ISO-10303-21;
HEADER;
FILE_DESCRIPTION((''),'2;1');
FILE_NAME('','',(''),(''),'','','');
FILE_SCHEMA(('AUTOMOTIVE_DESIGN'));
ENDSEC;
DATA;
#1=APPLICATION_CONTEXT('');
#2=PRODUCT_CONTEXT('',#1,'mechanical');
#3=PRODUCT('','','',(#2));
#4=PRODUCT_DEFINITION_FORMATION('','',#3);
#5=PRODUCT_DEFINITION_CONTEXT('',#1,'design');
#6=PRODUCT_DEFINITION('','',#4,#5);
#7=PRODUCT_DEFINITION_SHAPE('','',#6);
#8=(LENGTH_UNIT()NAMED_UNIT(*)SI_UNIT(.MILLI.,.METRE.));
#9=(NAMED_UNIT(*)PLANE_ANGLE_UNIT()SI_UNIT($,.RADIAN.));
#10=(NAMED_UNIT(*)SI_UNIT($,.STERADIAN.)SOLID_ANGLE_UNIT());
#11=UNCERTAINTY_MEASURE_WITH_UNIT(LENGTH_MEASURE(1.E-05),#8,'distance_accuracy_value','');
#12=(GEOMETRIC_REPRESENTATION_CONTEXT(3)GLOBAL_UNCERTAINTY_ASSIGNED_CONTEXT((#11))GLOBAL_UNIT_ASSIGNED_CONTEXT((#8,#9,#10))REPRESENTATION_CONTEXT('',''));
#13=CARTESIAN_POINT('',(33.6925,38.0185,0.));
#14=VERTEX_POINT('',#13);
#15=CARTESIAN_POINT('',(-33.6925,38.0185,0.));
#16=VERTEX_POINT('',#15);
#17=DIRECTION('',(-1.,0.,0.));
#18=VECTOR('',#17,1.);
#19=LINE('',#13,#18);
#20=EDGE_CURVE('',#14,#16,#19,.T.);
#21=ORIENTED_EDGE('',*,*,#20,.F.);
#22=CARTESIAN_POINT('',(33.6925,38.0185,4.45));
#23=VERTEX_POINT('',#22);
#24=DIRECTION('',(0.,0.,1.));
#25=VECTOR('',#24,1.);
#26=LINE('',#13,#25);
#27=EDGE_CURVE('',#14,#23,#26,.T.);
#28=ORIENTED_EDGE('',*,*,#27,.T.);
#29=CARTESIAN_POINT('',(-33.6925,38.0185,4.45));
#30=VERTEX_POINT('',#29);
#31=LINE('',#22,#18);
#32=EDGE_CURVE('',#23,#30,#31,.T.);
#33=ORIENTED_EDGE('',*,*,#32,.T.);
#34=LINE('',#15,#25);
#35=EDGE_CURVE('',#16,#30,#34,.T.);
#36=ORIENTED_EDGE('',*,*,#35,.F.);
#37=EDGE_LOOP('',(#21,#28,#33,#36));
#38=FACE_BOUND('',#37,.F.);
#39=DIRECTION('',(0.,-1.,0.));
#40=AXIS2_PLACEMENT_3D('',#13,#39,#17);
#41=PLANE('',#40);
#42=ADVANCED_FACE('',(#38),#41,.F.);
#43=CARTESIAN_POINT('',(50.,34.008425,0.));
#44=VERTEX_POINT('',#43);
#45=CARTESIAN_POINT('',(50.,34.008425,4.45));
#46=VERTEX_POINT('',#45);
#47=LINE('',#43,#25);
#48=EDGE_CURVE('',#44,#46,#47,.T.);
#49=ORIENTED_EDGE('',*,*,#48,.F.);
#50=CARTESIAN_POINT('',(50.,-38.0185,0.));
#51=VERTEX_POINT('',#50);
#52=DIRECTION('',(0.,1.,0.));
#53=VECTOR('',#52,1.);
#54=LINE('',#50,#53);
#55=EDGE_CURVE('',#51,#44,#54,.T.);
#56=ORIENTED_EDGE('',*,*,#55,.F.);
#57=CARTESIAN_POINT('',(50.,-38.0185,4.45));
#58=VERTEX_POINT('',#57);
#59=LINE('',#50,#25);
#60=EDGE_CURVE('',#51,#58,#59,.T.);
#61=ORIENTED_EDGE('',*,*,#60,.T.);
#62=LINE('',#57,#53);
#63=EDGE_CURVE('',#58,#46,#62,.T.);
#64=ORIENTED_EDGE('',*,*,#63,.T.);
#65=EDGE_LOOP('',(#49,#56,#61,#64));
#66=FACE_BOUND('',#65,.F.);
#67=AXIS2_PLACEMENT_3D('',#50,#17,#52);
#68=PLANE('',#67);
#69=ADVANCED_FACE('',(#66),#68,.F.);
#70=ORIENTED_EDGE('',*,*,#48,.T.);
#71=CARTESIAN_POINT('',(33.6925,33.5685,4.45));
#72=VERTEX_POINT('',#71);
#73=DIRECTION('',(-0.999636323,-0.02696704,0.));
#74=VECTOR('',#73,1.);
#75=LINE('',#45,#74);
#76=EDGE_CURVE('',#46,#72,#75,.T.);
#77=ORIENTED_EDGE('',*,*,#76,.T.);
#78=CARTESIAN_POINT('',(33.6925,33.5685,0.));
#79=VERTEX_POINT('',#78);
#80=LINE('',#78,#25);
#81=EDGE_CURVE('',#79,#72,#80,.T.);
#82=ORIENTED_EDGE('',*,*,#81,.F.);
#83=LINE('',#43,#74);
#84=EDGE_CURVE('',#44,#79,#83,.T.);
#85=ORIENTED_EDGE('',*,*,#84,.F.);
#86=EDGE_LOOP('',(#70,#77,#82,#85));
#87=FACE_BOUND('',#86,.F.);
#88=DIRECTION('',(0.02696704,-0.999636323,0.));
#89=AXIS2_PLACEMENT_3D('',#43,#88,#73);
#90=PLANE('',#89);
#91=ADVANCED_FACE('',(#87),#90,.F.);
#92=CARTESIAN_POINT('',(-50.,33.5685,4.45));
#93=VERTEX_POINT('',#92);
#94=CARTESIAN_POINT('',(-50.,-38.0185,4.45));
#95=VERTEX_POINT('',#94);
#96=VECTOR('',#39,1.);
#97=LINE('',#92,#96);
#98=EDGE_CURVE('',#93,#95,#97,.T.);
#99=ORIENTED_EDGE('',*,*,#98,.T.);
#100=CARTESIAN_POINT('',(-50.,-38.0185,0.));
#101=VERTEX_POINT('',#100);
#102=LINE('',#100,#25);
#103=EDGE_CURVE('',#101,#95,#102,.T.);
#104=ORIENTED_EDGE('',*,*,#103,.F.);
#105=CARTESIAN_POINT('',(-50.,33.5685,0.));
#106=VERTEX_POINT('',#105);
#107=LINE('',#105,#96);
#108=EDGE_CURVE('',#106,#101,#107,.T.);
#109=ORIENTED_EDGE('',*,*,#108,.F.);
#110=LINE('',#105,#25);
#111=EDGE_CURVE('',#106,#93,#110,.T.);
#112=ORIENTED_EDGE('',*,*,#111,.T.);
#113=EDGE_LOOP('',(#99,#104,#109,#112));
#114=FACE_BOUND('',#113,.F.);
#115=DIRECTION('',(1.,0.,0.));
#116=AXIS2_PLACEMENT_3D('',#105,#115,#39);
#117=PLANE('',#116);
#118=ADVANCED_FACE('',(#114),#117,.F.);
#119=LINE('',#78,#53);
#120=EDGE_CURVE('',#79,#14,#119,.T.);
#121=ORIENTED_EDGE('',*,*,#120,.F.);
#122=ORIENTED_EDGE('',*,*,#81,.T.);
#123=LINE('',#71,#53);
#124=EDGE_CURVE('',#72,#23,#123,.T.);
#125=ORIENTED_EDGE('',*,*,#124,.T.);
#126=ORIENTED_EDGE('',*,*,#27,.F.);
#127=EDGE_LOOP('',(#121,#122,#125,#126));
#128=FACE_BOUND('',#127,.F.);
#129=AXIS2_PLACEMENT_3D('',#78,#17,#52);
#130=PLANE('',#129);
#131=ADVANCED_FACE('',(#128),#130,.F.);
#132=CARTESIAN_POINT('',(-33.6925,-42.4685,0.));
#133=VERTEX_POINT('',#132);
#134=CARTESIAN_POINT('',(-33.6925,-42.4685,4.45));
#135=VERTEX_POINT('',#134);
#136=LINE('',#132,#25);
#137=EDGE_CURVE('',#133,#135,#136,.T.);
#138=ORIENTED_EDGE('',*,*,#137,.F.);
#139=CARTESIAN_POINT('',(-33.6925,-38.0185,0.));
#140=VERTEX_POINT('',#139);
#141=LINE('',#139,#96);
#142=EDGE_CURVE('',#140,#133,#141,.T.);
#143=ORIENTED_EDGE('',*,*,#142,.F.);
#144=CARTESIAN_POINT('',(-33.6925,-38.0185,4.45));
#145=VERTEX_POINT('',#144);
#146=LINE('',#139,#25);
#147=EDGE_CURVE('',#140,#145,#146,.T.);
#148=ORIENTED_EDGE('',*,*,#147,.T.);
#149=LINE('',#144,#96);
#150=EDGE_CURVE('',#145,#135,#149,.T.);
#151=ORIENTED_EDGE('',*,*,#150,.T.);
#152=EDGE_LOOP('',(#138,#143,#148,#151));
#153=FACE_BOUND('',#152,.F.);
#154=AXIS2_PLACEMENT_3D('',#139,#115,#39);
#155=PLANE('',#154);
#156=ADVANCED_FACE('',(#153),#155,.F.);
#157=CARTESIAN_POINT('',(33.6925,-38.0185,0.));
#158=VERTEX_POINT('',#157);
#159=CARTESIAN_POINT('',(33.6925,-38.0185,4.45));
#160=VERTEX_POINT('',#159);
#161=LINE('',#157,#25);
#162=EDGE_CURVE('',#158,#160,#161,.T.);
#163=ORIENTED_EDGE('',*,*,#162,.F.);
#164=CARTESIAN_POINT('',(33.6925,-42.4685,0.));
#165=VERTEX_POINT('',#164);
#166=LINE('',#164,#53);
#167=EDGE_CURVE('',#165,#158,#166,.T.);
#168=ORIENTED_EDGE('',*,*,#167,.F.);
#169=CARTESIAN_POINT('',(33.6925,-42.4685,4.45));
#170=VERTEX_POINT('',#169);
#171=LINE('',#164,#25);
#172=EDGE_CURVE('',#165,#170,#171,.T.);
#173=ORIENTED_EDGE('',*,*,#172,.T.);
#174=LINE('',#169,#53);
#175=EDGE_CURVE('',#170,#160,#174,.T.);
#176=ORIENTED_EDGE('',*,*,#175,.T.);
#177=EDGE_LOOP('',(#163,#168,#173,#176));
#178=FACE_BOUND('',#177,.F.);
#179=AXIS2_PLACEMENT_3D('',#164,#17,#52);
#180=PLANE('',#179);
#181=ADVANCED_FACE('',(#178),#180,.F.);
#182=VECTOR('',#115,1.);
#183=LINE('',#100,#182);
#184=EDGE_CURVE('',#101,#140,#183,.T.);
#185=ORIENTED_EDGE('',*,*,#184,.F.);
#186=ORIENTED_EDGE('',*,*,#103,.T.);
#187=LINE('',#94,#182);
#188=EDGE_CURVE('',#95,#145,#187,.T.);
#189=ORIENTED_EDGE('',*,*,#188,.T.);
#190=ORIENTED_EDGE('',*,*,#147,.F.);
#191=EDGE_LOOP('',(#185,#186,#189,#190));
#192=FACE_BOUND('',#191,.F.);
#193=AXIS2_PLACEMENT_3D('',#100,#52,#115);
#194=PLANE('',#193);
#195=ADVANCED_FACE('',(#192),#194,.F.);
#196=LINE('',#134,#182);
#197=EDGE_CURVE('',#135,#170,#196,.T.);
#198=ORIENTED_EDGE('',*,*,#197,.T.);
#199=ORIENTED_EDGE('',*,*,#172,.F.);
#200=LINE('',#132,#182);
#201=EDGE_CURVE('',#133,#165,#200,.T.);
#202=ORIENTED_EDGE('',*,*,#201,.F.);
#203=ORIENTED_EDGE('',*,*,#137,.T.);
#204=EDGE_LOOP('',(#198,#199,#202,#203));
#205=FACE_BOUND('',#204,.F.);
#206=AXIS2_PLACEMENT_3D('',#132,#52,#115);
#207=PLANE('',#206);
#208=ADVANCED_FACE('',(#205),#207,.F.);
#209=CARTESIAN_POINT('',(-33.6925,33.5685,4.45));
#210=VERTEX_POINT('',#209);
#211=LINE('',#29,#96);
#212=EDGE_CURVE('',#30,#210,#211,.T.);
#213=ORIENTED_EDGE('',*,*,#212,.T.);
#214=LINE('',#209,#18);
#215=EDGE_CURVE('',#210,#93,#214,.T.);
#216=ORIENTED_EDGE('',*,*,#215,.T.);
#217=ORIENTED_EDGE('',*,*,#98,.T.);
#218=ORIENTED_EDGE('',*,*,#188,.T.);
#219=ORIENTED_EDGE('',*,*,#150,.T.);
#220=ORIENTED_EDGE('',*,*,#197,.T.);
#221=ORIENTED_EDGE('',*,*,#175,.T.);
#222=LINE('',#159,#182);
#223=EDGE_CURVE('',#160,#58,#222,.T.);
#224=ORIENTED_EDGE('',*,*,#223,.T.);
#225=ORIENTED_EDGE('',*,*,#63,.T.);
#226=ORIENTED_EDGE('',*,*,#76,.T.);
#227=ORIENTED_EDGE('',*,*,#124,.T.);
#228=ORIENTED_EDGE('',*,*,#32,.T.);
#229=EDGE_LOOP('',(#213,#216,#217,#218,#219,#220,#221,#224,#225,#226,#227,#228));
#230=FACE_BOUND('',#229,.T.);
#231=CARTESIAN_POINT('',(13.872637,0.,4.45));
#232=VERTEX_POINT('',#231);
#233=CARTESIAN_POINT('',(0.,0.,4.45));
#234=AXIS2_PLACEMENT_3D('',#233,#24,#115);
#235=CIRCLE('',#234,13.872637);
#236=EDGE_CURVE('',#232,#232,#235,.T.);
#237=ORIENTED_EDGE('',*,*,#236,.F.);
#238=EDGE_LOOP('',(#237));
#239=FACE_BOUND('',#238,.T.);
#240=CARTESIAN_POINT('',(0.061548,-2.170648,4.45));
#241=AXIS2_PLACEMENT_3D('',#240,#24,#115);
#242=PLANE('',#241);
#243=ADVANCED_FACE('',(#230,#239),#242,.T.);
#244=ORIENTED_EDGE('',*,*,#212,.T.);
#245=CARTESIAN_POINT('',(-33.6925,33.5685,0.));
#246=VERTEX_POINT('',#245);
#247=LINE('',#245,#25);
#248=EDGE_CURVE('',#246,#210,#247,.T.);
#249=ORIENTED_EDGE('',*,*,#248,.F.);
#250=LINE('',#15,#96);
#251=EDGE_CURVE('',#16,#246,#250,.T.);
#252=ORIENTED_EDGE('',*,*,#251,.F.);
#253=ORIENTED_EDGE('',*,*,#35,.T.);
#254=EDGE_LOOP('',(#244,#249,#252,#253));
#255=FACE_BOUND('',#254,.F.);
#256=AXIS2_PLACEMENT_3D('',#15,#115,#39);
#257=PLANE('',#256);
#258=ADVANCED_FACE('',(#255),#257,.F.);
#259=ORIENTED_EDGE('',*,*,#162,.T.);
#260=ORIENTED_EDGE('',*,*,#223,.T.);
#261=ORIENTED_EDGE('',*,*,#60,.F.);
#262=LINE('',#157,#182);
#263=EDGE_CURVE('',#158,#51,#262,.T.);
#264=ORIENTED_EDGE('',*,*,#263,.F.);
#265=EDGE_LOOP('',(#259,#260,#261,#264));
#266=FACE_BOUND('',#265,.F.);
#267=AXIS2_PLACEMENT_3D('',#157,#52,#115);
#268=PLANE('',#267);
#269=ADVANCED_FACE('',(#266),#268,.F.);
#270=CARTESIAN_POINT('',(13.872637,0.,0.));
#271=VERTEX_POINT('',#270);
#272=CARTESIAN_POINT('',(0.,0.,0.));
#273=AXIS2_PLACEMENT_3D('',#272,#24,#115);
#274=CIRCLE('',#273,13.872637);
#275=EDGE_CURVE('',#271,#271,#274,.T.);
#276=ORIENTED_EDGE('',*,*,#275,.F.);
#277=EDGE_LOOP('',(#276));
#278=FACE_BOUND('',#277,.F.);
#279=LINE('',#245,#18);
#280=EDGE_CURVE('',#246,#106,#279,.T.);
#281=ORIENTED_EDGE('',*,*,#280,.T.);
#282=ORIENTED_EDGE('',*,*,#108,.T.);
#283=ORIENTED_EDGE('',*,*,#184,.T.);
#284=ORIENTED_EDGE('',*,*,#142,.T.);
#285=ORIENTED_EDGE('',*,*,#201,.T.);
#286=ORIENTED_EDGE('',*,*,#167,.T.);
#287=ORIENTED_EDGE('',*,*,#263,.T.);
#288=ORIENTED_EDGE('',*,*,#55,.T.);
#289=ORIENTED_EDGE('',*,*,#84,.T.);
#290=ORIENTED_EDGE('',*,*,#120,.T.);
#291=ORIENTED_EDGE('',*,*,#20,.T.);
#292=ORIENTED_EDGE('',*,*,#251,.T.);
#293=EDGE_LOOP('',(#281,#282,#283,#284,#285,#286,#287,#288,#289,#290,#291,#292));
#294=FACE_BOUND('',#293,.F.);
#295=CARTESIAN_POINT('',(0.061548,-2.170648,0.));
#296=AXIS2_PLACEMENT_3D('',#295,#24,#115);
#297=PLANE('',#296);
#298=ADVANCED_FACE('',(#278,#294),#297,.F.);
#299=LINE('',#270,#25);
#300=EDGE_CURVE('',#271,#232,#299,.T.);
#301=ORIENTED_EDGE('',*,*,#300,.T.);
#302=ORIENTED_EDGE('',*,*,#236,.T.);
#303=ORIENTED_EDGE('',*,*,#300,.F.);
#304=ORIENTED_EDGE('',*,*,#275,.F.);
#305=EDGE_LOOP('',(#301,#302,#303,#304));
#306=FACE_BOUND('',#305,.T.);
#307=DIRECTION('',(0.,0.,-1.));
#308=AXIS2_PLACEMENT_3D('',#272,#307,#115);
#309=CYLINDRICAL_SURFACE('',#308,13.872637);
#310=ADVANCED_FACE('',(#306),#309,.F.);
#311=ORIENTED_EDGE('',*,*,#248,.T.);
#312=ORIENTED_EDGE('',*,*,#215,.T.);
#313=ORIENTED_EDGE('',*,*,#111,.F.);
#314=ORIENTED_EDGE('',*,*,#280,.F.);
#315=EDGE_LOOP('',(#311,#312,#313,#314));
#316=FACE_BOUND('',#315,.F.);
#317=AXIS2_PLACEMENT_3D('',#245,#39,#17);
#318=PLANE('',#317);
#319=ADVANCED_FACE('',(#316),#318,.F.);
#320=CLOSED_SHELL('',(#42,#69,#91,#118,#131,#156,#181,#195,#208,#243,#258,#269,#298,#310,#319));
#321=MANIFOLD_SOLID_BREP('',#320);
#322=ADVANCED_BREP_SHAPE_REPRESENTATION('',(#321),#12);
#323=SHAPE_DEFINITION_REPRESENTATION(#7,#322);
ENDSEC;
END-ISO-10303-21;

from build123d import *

# Parameters (mm, degrees)
F0_R     = 13.872637
F1_DEPTH = 4.45


with BuildPart() as f1:
    # F0 (on Top) → F1 (new body)
    with BuildSketch(Plane.XY):
        Polygon((50, -33.5685), (50, -16.64242), (50, 16.64242), (50, 33.5685), (50, 34.008425), (33.6925, 33.5685), (33.6925, 38.0185), (-33.6925, 38.0185), (-33.6925, 33.5685), (-50, 33.5685), (-50, 16.64242), (-50, -16.64242), (-50, -33.5685), (-50, -38.0185), (-33.6925, -38.0185), (-33.6925, -42.4685), (33.6925, -42.4685), (33.6925, -38.0185), (50, -38.0185), align=None)
        Circle(F0_R, mode=Mode.SUBTRACT)
    extrude(amount=F1_DEPTH)


solid = f1.part
